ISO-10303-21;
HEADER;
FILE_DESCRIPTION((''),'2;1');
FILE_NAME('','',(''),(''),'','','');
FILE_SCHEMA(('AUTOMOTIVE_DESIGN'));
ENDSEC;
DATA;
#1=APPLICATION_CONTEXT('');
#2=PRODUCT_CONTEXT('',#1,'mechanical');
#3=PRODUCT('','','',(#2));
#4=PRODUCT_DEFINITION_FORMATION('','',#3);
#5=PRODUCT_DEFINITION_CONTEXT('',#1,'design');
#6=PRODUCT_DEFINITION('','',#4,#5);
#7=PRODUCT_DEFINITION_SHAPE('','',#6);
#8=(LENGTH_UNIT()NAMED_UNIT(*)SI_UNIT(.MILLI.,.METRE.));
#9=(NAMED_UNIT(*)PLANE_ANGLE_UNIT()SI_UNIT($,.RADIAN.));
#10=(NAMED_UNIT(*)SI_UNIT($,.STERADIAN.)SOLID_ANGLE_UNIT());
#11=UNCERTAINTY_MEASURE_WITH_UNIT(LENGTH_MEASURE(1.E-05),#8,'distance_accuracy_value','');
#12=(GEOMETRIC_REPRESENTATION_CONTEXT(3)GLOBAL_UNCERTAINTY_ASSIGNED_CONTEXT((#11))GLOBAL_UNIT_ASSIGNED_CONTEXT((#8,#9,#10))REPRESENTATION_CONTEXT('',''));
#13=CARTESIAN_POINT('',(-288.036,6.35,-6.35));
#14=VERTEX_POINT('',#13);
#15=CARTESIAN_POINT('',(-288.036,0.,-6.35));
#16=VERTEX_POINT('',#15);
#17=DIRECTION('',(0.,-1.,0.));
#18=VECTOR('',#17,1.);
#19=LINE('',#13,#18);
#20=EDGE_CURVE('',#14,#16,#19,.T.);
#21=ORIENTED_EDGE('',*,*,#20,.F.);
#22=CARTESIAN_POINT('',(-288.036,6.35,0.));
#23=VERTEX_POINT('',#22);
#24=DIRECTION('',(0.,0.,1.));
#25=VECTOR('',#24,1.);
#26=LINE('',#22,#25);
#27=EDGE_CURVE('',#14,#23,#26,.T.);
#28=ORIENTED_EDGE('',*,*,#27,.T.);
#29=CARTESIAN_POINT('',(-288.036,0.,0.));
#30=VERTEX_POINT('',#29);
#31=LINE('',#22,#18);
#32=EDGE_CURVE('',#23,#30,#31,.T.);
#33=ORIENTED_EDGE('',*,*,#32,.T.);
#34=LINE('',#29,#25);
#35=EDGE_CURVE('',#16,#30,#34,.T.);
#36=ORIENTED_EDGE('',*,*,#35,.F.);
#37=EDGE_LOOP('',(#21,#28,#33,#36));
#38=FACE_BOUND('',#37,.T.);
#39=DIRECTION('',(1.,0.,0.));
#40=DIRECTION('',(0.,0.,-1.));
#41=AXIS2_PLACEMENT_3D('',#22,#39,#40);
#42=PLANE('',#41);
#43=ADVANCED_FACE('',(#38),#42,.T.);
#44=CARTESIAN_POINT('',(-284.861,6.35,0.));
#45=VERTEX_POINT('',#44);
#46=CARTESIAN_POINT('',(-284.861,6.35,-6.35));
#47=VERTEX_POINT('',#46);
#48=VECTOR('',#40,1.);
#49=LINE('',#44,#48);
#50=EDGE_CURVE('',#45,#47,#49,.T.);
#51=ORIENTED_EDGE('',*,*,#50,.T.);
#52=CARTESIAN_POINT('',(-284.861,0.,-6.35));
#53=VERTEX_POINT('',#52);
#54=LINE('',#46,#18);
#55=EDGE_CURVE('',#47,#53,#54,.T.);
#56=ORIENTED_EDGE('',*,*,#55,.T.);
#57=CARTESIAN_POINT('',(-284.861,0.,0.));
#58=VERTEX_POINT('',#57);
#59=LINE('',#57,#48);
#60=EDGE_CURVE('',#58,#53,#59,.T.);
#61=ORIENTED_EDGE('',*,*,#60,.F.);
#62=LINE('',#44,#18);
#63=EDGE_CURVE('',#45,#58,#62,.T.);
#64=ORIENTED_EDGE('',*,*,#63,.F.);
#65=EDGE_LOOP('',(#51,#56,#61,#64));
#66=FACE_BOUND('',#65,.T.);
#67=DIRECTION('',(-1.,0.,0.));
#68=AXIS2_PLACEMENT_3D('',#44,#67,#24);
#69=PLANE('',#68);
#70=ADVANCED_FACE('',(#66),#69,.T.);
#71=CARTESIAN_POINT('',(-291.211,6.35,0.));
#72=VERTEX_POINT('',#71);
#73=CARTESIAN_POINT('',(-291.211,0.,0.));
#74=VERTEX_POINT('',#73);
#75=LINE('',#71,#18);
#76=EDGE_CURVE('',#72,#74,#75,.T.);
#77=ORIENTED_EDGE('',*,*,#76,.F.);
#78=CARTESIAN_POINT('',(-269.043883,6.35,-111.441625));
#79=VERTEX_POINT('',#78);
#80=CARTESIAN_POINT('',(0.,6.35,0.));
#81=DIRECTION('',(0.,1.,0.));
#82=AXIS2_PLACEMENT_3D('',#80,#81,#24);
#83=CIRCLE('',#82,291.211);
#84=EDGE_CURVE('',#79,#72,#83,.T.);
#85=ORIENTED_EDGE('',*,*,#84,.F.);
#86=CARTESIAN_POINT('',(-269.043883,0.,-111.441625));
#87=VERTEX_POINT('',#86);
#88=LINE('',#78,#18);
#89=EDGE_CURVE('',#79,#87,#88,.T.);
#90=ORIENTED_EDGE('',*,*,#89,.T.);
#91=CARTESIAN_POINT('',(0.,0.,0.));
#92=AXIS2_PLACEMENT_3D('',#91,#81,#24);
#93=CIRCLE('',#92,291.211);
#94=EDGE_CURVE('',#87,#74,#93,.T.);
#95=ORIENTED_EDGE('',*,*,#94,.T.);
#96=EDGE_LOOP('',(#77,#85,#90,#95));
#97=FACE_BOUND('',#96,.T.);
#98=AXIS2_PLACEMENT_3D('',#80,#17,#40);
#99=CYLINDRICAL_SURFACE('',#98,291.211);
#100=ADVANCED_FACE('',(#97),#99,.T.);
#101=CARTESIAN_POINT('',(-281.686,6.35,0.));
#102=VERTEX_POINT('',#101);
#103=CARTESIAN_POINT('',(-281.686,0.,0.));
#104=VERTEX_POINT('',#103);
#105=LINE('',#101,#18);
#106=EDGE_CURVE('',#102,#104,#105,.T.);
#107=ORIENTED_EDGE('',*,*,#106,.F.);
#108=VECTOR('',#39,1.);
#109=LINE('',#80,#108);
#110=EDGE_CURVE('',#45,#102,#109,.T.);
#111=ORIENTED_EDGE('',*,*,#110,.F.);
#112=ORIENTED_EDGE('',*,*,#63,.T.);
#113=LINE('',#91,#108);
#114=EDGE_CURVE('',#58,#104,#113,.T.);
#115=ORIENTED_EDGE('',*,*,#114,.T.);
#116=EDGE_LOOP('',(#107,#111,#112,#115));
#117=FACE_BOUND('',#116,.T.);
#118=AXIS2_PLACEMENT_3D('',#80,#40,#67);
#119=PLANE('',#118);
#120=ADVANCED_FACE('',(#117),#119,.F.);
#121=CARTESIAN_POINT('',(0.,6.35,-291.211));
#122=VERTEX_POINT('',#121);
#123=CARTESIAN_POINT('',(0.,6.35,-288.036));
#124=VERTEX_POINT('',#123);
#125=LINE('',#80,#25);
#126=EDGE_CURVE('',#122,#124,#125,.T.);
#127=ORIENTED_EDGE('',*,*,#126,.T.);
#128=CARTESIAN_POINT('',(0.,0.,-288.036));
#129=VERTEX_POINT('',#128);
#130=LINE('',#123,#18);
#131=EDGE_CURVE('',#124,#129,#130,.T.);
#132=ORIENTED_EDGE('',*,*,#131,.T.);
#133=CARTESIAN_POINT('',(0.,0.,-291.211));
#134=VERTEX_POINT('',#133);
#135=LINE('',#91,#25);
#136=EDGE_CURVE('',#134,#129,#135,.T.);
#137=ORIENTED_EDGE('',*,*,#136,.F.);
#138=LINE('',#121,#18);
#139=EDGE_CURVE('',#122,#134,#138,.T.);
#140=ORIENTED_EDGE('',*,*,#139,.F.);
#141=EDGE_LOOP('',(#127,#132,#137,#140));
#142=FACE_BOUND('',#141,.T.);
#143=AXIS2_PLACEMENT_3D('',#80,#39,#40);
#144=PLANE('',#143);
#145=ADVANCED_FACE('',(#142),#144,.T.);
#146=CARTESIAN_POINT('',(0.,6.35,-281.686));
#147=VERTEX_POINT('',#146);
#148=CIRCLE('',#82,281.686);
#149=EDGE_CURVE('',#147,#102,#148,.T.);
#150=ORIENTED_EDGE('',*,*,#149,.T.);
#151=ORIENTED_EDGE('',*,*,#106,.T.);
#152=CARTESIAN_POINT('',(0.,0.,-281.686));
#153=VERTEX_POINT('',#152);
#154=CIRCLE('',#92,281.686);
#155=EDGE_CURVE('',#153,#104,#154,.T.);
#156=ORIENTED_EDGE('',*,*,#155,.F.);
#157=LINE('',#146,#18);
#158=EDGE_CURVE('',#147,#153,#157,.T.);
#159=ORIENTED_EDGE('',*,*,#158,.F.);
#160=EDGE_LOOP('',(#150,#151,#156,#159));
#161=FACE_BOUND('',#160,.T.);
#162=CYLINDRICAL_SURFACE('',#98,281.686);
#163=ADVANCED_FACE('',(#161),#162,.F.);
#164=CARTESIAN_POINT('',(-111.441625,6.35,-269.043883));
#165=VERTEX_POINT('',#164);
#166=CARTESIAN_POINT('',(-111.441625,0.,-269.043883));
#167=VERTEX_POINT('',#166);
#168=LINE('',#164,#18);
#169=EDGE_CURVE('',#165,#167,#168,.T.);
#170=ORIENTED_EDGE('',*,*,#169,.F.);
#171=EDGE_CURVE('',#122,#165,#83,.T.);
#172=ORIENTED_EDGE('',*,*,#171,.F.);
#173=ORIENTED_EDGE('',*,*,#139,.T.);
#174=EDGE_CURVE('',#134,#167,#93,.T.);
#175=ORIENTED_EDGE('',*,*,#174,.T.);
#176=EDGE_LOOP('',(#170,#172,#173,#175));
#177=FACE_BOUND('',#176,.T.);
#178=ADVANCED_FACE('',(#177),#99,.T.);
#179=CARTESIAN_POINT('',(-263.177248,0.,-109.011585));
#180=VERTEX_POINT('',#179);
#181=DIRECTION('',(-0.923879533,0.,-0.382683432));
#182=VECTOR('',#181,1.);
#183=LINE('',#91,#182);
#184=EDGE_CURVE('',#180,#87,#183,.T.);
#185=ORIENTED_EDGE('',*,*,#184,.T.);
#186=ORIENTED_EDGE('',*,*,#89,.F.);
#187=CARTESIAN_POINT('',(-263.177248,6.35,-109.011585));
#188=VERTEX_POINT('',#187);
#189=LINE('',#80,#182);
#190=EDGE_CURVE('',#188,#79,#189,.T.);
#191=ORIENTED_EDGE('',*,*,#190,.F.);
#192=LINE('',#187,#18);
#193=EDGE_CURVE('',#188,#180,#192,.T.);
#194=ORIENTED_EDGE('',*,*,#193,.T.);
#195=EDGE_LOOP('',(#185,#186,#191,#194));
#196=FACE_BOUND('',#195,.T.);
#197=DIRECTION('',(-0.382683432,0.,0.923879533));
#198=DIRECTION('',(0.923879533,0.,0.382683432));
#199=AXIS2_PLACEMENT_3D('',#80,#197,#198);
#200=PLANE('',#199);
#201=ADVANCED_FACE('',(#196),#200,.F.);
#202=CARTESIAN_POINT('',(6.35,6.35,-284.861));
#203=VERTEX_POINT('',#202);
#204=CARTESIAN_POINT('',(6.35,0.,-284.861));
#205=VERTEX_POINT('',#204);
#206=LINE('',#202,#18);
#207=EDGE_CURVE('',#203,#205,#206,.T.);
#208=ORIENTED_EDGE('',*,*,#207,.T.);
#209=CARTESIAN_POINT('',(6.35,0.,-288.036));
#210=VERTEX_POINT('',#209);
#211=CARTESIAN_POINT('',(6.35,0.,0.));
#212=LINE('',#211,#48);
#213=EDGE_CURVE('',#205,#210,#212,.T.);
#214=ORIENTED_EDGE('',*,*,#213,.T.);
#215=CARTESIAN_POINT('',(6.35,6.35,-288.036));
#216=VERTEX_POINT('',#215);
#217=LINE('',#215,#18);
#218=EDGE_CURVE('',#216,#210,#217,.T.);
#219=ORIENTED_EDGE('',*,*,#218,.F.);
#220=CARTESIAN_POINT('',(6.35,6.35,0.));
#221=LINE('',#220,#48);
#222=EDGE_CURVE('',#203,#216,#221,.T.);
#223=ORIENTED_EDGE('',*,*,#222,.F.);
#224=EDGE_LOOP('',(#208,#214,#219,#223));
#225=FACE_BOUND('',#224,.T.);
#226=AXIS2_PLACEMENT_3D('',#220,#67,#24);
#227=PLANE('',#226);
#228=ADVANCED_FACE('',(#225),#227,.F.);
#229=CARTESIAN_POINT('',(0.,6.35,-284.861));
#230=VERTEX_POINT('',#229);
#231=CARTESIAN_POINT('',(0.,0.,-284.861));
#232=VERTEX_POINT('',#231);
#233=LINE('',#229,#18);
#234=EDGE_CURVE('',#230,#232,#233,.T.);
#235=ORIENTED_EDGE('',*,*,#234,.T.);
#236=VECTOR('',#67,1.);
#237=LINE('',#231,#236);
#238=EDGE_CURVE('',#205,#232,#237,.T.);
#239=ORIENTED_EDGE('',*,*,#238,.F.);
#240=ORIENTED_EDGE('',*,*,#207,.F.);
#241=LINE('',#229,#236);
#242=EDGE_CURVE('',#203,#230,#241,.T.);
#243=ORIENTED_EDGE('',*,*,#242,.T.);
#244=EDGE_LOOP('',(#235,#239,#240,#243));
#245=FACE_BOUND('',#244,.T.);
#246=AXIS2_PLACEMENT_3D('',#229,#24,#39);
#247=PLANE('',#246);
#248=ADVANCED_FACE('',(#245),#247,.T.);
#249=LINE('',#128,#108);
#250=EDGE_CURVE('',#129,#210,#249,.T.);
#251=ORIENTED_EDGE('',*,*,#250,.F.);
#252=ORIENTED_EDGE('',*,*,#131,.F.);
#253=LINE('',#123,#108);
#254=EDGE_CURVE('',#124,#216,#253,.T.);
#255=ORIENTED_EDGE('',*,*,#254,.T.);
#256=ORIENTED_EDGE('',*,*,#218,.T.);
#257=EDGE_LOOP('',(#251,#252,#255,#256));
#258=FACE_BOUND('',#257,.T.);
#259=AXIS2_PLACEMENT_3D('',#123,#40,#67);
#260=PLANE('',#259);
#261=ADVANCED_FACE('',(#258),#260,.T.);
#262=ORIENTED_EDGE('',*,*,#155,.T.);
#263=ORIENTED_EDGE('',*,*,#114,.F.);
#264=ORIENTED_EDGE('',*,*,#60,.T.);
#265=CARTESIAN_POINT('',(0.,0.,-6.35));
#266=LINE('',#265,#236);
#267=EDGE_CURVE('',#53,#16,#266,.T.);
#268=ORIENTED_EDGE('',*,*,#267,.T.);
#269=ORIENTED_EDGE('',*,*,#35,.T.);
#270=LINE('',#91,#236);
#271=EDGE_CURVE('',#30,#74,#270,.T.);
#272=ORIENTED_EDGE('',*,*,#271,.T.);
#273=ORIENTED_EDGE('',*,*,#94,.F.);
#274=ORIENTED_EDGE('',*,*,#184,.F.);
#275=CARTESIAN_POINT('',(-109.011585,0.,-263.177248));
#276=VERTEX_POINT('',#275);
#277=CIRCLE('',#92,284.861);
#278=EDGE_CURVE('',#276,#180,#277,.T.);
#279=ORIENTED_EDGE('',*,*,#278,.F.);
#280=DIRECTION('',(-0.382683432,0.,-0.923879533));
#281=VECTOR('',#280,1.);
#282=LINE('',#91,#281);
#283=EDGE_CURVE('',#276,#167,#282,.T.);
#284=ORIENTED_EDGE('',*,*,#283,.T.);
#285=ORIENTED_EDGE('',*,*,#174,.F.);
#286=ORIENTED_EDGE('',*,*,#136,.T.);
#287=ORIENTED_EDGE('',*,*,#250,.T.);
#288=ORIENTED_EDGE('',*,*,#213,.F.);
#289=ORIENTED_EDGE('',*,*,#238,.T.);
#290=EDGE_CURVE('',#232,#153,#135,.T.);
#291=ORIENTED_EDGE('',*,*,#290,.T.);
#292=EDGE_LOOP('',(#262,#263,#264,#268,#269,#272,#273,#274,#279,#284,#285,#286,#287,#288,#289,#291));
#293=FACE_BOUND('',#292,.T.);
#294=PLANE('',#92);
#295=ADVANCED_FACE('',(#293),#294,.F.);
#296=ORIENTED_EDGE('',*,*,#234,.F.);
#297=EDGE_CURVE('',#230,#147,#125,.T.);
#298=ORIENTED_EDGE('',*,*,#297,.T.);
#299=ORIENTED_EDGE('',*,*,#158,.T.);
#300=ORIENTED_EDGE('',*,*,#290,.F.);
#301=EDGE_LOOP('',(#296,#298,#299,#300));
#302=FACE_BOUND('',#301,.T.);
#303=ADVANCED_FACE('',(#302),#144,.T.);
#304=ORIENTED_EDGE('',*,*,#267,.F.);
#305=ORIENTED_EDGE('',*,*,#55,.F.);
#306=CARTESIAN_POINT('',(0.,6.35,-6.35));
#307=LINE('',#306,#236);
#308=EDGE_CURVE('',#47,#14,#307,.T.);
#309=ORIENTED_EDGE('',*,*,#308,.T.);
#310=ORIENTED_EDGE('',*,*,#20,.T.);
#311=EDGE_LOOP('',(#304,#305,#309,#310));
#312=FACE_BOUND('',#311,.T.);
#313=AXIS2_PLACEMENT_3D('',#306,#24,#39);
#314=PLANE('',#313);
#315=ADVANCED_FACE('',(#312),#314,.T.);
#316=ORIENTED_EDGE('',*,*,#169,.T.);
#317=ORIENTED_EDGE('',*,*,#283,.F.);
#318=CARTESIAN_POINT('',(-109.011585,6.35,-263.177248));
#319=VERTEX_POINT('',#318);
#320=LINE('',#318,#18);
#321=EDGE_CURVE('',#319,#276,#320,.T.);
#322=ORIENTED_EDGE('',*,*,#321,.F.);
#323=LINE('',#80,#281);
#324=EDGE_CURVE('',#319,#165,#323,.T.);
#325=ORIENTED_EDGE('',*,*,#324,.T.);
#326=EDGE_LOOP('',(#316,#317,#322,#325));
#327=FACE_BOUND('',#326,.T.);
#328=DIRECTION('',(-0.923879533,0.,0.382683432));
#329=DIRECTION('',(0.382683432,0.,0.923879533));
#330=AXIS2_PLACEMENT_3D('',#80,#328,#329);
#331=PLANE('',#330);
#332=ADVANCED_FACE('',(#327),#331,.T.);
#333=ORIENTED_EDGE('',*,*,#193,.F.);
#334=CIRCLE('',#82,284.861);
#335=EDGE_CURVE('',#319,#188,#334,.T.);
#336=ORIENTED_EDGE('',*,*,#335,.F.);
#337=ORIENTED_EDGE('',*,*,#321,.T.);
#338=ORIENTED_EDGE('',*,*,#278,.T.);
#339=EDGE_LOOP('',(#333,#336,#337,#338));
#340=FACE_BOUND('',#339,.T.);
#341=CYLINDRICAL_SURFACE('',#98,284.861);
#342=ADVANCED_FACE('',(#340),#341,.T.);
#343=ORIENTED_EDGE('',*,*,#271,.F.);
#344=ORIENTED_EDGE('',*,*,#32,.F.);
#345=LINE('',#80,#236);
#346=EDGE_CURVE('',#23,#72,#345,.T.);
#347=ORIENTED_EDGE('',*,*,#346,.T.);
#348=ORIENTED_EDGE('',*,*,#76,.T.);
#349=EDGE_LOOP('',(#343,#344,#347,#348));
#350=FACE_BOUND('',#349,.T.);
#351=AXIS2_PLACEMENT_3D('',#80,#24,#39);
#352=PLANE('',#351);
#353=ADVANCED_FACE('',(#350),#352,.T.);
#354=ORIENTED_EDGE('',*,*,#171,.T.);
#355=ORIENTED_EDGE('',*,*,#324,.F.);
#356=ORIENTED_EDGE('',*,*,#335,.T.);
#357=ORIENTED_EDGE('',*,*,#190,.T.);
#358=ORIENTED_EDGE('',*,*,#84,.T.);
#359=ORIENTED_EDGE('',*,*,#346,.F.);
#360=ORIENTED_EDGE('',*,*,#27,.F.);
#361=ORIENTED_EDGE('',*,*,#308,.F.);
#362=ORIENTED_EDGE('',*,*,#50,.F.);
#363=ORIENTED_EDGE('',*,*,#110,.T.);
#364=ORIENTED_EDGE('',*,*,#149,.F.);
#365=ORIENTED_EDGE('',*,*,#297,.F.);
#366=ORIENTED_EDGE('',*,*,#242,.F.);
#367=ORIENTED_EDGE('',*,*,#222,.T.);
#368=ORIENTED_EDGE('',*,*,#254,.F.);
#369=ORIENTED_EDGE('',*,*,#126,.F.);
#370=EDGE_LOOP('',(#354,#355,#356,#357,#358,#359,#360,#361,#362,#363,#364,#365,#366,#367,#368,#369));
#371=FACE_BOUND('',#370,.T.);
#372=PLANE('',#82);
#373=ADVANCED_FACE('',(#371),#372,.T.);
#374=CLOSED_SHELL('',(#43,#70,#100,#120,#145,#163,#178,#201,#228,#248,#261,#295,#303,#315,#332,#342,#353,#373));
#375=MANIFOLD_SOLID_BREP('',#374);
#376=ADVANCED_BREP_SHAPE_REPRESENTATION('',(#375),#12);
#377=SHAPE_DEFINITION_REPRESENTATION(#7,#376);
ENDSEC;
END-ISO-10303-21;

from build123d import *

# Parameters (mm, degrees)
BOSS_EXTRUDE2_DEPTH = 6.35


with BuildPart() as part:
    # Sketch1 → Boss-Extrude2 (new body)
    with BuildSketch(Plane(origin=(0, 0, 0), x_dir=(1, 0, 0), z_dir=(0, 1, 0))):
        with BuildLine():
            Line((0, 288.036), (0, 291.211))
            ThreePointArc((0, 291.211), (-56.812447765, 285.615462292), (-111.441625022, 269.043882542))
            Line((-111.441625022, 269.043882542), (-109.011585227, 263.177247511))
            ThreePointArc((-109.011585227, 263.177247511), (-55.57362422, 279.387475761), (0, 284.861))
            Line((0, 284.861), (6.35, 284.861))
            Line((6.35, 284.861), (6.35, 288.036))
            Line((6.35, 288.036), (0, 288.036))
        make_face()
        with BuildLine():
            ThreePointArc((0, 284.861), (-55.57362422, 279.387475761), (-109.011585227, 263.177247511))
            ThreePointArc((-109.011585227, 263.177247511), (-201.427144796, 201.427144796), (-263.177247511, 109.011585227))
            ThreePointArc((-263.177247511, 109.011585227), (-279.387475761, 55.57362422), (-284.861, 0))
            Line((-284.861, 0), (-281.686, 0))
            ThreePointArc((-281.686, 0), (-199.182080765, 199.182080765), (0, 281.686))
            Line((0, 281.686), (0, 284.861))
        make_face()
        with BuildLine():
            Line((-263.177247511, 109.011585227), (-269.043882542, 111.441625022))
            ThreePointArc((-269.043882542, 111.441625022), (-285.615462292, 56.812447765), (-291.211, 0))
            Line((-291.211, 0), (-288.036, 0))
            Line((-288.036, 0), (-288.036, 6.35))
            Line((-288.036, 6.35), (-284.861, 6.35))
            Line((-284.861, 6.35), (-284.861, 0))
            ThreePointArc((-284.861, 0), (-279.387475761, 55.57362422), (-263.177247511, 109.011585227))
        make_face()
    extrude(amount=BOSS_EXTRUDE2_DEPTH)


solid = part.part
